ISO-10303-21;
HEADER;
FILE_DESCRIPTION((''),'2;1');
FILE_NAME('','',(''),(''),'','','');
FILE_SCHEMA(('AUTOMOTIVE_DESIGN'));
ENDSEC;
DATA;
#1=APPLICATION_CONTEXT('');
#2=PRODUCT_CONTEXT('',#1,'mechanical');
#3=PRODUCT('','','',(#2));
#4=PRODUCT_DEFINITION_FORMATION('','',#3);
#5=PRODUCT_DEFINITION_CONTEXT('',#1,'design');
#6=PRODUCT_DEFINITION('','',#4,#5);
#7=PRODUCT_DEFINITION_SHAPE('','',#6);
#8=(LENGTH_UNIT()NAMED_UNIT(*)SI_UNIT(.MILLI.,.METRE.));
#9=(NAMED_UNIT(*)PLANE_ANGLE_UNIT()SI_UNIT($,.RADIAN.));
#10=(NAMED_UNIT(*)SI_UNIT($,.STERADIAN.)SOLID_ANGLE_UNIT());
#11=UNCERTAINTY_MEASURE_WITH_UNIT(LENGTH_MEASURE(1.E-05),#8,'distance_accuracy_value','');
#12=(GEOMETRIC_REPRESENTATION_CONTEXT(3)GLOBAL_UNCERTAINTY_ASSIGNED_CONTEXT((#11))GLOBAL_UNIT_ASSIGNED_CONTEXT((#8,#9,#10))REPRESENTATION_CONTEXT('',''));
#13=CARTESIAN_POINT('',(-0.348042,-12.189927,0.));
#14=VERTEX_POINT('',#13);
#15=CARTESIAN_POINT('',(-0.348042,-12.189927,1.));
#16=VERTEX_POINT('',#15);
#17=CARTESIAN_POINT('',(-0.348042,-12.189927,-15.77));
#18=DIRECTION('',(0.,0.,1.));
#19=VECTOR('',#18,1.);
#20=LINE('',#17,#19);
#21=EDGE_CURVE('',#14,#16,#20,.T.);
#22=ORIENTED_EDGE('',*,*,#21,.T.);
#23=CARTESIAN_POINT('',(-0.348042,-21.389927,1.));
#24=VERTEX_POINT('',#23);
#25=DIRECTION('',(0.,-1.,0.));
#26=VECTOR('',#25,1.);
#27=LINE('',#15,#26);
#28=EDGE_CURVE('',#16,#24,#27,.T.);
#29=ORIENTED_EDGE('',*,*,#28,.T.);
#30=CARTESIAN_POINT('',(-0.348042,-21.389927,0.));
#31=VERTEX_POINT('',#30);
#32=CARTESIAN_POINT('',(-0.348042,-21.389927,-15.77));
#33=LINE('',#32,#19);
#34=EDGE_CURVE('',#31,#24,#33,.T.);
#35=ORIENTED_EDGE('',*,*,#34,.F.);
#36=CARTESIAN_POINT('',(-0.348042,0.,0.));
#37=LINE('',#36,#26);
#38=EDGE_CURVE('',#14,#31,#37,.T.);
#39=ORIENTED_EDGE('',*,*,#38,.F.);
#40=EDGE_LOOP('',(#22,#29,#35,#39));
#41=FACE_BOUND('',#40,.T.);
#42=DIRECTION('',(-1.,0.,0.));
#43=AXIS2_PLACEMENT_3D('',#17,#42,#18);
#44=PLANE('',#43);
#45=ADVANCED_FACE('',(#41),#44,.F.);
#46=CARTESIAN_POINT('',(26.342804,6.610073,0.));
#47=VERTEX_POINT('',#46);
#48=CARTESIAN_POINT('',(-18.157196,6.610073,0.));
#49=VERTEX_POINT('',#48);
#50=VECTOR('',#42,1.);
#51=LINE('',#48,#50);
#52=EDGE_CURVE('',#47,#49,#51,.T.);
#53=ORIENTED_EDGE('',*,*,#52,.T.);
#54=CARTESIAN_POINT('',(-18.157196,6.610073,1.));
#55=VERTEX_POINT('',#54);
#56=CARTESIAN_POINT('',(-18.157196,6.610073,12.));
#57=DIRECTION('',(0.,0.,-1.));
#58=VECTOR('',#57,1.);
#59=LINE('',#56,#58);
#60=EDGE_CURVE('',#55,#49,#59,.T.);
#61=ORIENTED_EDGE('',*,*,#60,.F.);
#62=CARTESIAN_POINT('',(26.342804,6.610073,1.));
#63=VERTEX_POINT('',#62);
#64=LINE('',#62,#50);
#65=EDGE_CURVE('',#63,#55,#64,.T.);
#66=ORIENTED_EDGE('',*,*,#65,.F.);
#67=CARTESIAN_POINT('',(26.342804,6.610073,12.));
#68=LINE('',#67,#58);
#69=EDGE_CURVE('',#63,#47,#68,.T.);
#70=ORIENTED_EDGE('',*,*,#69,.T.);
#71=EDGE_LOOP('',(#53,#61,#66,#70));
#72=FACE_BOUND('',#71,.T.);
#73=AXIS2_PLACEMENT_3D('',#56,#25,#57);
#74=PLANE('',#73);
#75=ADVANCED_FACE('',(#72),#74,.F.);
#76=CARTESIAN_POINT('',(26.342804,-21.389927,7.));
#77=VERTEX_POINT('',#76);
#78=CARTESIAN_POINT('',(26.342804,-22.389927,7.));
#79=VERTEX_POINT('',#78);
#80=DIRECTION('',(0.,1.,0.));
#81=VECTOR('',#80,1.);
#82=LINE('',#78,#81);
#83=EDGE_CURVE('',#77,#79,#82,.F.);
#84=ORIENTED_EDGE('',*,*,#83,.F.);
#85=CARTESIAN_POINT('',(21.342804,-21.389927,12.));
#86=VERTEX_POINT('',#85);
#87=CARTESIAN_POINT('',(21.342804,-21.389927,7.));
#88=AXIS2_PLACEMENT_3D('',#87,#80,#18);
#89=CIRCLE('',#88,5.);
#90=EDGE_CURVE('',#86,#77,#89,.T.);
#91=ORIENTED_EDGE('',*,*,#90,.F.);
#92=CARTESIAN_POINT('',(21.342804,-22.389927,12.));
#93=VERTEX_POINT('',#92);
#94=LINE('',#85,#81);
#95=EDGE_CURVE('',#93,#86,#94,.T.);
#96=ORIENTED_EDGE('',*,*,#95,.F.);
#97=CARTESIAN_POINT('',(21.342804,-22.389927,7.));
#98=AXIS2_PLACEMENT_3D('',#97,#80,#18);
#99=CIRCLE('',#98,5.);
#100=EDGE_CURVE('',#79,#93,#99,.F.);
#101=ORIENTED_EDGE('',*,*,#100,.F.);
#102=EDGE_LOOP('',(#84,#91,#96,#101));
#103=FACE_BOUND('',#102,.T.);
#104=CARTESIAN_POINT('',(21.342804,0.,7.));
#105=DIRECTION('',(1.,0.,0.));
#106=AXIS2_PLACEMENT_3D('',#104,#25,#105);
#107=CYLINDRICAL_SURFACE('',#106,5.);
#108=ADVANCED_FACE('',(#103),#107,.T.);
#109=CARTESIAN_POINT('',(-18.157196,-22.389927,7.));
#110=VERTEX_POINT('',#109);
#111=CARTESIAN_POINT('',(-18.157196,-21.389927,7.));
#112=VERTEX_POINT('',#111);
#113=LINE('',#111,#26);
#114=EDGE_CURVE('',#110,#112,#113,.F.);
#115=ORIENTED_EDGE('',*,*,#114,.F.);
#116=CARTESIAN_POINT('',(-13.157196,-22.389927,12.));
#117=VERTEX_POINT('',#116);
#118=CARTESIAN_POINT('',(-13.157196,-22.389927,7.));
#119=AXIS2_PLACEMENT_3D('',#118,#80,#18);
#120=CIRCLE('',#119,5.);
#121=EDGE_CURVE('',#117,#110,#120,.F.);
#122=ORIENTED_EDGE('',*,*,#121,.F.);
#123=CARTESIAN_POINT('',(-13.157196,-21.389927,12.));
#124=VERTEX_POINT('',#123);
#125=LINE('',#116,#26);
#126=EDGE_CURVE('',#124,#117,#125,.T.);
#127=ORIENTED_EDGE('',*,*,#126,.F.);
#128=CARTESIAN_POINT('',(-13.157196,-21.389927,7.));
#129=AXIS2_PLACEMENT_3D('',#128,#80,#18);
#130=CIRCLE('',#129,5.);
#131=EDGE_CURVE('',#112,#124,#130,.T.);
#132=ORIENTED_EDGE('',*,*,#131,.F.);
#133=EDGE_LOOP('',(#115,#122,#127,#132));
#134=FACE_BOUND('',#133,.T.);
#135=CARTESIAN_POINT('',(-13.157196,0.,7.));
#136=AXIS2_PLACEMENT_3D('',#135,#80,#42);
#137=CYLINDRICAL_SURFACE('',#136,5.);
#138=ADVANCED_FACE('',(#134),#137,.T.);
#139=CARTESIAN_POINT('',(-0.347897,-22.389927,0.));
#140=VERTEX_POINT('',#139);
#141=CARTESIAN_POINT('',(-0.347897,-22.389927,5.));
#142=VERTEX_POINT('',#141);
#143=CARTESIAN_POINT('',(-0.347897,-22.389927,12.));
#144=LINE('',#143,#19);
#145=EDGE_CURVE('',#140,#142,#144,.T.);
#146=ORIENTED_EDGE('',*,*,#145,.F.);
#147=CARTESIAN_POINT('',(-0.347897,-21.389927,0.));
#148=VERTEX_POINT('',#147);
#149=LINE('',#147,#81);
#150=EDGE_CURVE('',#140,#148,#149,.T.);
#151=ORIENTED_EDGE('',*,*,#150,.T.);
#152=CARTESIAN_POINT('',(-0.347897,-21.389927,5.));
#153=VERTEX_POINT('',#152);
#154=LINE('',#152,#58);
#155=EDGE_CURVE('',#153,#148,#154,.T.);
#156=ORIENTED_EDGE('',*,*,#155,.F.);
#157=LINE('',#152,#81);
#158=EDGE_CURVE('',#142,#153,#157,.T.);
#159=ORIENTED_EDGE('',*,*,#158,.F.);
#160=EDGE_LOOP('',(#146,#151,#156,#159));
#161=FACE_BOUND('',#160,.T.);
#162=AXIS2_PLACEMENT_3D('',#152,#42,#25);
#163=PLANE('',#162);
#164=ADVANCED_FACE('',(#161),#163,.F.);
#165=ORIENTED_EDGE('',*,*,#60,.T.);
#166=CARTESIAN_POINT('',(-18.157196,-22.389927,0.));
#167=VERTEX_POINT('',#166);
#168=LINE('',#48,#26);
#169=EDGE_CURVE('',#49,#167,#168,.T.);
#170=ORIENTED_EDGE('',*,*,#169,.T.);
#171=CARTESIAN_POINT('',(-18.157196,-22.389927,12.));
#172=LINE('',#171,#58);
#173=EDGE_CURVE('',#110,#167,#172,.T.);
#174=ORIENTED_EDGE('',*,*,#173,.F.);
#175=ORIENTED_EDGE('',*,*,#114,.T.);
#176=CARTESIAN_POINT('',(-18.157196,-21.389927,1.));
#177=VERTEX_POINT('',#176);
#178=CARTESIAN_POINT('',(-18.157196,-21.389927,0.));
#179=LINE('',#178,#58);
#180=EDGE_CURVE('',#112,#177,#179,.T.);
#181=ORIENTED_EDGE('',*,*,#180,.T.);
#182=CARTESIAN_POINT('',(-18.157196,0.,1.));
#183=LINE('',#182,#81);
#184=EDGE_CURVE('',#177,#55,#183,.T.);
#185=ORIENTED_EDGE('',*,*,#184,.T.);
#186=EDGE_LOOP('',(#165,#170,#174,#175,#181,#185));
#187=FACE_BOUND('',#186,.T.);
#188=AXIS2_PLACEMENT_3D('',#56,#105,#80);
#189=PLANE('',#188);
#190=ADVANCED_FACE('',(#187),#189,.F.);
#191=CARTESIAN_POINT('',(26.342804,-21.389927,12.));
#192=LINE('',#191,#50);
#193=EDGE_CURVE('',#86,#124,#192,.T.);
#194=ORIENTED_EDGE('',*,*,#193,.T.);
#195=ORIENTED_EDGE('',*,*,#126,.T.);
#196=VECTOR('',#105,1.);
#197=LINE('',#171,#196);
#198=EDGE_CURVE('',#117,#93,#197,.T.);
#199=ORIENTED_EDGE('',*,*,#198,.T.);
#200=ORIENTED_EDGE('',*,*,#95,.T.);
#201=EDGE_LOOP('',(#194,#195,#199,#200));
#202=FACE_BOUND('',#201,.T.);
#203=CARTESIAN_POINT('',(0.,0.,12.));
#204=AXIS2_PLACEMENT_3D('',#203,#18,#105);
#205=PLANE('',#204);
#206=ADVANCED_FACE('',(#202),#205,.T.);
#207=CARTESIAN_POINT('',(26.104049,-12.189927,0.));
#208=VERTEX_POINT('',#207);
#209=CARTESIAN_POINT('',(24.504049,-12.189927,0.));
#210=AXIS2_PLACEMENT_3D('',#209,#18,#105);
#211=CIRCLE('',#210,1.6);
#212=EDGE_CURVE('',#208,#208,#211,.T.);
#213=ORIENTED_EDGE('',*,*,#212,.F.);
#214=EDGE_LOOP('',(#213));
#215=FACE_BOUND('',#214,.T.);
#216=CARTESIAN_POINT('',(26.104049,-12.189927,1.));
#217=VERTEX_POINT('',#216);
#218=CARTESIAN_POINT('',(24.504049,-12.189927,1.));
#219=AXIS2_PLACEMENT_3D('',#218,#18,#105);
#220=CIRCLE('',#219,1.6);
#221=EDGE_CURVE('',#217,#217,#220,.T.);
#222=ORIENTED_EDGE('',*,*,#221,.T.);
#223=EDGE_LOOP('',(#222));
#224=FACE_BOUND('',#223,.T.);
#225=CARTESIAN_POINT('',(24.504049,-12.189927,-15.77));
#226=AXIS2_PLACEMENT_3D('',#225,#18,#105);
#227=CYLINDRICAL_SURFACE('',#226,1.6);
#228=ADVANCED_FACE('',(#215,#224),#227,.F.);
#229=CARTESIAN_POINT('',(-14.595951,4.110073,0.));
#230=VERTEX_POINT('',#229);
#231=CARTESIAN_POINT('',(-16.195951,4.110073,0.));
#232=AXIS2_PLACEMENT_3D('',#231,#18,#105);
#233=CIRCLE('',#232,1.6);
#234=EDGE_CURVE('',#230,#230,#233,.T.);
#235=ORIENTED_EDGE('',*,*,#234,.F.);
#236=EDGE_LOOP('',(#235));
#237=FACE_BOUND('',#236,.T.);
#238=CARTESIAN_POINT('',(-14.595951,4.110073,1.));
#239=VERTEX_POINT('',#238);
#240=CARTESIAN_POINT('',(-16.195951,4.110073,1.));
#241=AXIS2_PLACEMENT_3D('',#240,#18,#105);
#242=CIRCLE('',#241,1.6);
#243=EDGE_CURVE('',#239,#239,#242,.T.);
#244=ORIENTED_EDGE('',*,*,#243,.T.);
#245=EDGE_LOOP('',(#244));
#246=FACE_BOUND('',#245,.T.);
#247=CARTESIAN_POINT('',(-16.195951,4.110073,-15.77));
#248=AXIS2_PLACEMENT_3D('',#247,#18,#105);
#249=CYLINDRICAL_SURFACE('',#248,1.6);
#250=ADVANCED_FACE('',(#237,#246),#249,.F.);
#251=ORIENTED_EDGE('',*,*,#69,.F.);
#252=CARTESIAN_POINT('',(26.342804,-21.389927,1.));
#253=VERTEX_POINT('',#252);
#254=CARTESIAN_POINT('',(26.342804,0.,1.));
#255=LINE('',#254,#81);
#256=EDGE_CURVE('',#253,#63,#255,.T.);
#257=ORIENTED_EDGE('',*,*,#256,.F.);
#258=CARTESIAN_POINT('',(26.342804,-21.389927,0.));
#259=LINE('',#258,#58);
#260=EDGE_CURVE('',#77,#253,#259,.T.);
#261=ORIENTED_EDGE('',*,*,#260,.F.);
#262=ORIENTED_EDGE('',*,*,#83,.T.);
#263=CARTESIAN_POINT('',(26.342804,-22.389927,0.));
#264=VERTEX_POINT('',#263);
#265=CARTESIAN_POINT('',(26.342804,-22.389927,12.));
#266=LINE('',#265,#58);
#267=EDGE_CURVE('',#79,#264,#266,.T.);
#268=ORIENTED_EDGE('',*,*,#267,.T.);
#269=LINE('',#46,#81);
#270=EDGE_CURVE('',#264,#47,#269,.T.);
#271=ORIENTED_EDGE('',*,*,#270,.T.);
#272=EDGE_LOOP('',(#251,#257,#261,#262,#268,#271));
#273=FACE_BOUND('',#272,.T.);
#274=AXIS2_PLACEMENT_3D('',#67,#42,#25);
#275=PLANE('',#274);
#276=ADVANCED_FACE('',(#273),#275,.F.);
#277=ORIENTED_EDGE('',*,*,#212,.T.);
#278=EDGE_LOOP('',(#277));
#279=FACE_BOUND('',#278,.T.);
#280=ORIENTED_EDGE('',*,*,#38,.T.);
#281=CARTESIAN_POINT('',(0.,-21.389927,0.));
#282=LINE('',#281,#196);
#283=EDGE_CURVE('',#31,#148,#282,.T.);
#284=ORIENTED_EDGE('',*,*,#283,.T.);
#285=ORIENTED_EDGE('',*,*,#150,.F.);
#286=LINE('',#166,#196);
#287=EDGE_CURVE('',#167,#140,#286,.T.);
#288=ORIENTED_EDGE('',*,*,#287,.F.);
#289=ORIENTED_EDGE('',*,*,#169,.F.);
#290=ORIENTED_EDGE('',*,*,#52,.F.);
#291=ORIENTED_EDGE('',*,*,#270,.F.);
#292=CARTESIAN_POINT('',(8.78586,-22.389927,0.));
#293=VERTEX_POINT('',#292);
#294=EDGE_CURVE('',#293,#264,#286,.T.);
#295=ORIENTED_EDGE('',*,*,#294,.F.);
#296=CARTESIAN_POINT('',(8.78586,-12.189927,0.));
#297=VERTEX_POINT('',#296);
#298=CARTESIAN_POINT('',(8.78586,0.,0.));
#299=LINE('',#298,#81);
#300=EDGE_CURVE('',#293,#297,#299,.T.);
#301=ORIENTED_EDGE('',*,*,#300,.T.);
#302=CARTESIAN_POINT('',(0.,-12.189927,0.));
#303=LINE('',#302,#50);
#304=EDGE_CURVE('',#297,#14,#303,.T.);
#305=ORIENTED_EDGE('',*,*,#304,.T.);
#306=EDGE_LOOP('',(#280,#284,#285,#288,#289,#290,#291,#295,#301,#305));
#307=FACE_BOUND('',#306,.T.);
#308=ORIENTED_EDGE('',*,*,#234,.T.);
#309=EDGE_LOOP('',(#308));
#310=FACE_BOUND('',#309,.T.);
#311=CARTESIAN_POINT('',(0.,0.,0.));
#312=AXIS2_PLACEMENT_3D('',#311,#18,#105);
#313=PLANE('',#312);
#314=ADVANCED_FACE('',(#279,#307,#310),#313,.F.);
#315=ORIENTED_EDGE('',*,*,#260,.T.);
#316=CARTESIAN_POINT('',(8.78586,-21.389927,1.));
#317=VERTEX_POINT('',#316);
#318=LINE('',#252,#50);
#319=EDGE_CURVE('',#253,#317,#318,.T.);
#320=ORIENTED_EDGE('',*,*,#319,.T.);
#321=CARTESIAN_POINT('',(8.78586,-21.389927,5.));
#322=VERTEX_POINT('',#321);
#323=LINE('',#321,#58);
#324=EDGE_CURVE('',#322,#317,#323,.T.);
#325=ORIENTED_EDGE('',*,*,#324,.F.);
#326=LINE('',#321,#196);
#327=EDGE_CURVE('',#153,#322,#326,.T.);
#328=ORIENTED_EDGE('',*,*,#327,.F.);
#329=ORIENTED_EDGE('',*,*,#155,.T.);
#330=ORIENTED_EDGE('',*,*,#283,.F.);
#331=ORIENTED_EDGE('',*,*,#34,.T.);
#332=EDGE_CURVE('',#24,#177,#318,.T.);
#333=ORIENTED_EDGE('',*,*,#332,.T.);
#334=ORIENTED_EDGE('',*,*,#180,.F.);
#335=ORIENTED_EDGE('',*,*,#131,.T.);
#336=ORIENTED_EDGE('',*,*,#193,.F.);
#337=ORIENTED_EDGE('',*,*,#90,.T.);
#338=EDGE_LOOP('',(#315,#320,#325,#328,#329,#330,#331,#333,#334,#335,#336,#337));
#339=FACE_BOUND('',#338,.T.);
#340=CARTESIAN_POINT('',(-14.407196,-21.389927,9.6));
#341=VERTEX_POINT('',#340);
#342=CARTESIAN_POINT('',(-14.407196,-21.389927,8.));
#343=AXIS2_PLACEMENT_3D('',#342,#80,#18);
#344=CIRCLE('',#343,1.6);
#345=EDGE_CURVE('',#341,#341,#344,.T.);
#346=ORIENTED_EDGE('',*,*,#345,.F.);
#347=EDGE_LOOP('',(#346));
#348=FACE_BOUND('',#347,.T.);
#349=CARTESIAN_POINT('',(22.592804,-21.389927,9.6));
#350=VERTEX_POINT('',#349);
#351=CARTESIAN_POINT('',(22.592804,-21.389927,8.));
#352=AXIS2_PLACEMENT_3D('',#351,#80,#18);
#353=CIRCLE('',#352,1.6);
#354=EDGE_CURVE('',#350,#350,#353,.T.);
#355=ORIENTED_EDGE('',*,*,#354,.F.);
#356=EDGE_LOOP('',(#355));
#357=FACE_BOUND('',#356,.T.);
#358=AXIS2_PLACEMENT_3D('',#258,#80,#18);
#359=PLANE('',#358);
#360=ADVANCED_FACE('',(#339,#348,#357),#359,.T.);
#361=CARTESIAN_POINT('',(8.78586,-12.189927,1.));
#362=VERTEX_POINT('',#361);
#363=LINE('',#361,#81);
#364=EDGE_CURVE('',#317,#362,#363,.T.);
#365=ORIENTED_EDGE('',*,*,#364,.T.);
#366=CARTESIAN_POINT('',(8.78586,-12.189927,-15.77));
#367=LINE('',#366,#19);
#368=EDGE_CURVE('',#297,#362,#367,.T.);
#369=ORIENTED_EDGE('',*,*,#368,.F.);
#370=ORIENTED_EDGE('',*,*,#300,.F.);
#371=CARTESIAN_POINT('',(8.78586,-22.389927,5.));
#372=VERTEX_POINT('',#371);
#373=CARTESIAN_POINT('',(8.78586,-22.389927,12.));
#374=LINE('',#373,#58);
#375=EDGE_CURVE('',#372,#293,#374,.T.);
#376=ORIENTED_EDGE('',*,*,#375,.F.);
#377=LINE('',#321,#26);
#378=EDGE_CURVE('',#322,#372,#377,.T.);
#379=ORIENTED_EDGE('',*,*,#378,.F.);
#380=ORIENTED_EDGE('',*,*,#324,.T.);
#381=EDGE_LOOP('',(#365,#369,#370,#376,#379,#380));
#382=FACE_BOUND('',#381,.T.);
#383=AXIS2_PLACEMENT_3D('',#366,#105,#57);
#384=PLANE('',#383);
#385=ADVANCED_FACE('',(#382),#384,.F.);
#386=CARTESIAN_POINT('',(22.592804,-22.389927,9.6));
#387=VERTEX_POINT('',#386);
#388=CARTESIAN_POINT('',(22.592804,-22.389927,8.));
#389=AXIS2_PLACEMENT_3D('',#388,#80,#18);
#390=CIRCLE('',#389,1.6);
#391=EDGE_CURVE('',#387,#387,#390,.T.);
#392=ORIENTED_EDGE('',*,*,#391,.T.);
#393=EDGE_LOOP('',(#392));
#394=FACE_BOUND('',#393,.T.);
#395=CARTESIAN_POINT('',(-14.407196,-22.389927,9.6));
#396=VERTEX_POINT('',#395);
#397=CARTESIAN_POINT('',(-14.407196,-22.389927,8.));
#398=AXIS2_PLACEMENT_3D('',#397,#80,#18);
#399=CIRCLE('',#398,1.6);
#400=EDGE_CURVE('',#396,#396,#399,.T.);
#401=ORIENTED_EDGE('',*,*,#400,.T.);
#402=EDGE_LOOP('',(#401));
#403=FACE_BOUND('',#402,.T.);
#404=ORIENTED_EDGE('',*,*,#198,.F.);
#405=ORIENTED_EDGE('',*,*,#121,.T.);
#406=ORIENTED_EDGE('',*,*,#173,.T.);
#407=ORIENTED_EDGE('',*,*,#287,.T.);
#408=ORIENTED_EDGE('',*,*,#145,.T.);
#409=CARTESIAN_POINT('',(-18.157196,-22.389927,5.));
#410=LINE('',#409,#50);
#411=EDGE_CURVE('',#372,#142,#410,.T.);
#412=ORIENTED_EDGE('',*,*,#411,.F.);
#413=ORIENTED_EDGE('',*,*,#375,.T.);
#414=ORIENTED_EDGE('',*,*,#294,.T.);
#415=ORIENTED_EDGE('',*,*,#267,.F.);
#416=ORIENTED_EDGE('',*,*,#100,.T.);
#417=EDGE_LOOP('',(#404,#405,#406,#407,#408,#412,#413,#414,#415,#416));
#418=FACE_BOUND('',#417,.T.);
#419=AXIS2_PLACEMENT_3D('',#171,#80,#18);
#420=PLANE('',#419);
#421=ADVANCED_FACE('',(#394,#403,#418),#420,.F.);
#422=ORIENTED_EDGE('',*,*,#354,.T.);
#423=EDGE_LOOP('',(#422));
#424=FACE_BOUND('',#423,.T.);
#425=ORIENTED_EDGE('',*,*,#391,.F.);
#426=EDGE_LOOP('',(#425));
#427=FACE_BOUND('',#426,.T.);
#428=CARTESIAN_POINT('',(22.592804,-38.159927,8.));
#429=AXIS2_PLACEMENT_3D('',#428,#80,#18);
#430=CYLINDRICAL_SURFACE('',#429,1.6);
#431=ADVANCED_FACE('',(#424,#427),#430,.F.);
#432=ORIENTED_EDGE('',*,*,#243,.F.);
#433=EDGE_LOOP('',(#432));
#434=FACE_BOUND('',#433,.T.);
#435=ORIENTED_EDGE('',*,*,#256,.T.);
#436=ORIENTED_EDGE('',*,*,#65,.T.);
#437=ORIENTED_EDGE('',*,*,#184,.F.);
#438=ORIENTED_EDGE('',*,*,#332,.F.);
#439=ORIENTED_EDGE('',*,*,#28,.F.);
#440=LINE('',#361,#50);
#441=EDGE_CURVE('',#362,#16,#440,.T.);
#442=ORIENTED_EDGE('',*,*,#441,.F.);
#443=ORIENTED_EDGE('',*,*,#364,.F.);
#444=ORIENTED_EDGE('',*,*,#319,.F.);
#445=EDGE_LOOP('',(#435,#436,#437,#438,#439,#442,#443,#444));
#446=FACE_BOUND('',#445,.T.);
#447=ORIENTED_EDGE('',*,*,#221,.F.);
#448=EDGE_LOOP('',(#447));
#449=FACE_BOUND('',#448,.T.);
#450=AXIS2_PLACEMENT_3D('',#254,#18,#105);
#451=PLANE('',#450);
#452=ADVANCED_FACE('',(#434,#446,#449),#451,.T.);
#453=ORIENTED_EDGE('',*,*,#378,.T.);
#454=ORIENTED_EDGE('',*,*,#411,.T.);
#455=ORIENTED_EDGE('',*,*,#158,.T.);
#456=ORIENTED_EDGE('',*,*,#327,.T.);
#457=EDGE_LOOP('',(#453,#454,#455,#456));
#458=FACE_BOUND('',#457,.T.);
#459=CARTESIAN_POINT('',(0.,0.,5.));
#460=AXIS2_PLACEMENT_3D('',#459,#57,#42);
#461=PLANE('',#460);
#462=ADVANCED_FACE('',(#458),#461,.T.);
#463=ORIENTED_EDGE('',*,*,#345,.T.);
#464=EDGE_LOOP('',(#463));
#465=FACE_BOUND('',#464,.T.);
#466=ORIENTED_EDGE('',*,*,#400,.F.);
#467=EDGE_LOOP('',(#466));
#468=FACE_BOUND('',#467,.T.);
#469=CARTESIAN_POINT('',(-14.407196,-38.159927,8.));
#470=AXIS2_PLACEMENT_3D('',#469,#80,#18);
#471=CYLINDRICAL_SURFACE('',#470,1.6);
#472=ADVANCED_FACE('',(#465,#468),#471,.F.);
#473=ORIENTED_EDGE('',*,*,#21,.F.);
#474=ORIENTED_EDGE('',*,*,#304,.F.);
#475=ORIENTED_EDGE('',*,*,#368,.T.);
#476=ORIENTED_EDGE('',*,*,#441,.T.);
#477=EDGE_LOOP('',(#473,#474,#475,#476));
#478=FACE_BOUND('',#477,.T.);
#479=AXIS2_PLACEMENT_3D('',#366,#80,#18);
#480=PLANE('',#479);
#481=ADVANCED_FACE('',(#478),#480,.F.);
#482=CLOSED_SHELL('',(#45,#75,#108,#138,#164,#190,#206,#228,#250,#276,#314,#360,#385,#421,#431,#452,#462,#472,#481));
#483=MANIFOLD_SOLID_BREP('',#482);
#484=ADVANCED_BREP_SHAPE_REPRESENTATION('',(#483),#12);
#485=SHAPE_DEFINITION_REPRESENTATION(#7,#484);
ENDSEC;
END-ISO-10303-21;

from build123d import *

# Parameters (mm, degrees)
SKETCH1_W           = 44.5
SKETCH1_H           = 29
BOSS_EXTRUDE1_DEPTH = 12
SKETCH2_W           = 11
SKETCH2_H           = 28
CUT_EXTRUDE1_DEPTH  = 52.240207176
SKETCH3_R           = 1.6
SKETCH3_W           = 9.133902139
SKETCH3_H           = 9.2
CUT_EXTRUDE2_DEPTH  = 16.77
SKETCH4_R           = 1.6
CUT_EXTRUDE4_DEPTH  = 16.77
FILLET1_R           = 5
FILLET2_R           = 5
SKETCH11_W          = 9.133756838
SKETCH11_H          = 2
CUT_EXTRUDE7_DEPTH  = 5


with BuildPart() as part:
    # Sketch1 → Boss-Extrude1 (new body)
    with BuildSketch(Plane.XY):
        with Locations((4.092804291, -7.889927007)):
            Rectangle(SKETCH1_W, SKETCH1_H)
    extrude(amount=BOSS_EXTRUDE1_DEPTH)

    # Sketch2 → Cut-Extrude1 (cut, through all)
    with BuildSketch(Plane.ZY.offset(18.157195709)):
        with Locations((6.5, -7.389927007)):
            Rectangle(SKETCH2_W, SKETCH2_H)
    extrude(amount=-CUT_EXTRUDE1_DEPTH, mode=Mode.SUBTRACT)

    # Sketch3 → Cut-Extrude2 (cut)
    with BuildSketch(Plane.XY.offset(1)):
        with Locations((-16.195951252, 4.110072993)):
            Circle(SKETCH3_R)
        with Locations((24.504048748, -12.189927007)):
            Circle(SKETCH3_R)
        with Locations((4.21890888, -16.789927007)):
            Rectangle(SKETCH3_W, SKETCH3_H)
    extrude(amount=-CUT_EXTRUDE2_DEPTH, mode=Mode.SUBTRACT)

    # Sketch4 → Cut-Extrude4 (cut)
    with BuildSketch(Plane(origin=(0, -21.389927007, 0), x_dir=(1, 0, 0), z_dir=(0, 1, 0))):
        with Locations(Location((-14.407195709, -8, 0), (0, 0, 270))):
            Circle(SKETCH4_R)
        with Locations(Location((22.592804291, -8, 0), (0, 0, 270))):
            Circle(SKETCH4_R)
    extrude(amount=-CUT_EXTRUDE4_DEPTH, mode=Mode.SUBTRACT)

    # Fillet1
    fillet1_edges = [part.edges().sort_by_distance(p)[0] for p in [
        (-18.157195709, -21.889927007, 12),
    ]]
    fillet(fillet1_edges, radius=FILLET1_R)

    # Fillet2
    fillet2_edges = [part.edges().sort_by_distance(p)[0] for p in [
        (26.342804291, -21.889927007, 12),
    ]]
    fillet(fillet2_edges, radius=FILLET2_R)

    # Sketch11 → Cut-Extrude7 (cut)
    with BuildSketch(Plane(origin=(0, 0, 0), x_dir=(-1, 0, 0), z_dir=(0, 0, -1))):
        with Locations((-4.21898153, -22.389927007)):
            Rectangle(SKETCH11_W, SKETCH11_H)
    extrude(amount=-CUT_EXTRUDE7_DEPTH, mode=Mode.SUBTRACT)


solid = part.part
